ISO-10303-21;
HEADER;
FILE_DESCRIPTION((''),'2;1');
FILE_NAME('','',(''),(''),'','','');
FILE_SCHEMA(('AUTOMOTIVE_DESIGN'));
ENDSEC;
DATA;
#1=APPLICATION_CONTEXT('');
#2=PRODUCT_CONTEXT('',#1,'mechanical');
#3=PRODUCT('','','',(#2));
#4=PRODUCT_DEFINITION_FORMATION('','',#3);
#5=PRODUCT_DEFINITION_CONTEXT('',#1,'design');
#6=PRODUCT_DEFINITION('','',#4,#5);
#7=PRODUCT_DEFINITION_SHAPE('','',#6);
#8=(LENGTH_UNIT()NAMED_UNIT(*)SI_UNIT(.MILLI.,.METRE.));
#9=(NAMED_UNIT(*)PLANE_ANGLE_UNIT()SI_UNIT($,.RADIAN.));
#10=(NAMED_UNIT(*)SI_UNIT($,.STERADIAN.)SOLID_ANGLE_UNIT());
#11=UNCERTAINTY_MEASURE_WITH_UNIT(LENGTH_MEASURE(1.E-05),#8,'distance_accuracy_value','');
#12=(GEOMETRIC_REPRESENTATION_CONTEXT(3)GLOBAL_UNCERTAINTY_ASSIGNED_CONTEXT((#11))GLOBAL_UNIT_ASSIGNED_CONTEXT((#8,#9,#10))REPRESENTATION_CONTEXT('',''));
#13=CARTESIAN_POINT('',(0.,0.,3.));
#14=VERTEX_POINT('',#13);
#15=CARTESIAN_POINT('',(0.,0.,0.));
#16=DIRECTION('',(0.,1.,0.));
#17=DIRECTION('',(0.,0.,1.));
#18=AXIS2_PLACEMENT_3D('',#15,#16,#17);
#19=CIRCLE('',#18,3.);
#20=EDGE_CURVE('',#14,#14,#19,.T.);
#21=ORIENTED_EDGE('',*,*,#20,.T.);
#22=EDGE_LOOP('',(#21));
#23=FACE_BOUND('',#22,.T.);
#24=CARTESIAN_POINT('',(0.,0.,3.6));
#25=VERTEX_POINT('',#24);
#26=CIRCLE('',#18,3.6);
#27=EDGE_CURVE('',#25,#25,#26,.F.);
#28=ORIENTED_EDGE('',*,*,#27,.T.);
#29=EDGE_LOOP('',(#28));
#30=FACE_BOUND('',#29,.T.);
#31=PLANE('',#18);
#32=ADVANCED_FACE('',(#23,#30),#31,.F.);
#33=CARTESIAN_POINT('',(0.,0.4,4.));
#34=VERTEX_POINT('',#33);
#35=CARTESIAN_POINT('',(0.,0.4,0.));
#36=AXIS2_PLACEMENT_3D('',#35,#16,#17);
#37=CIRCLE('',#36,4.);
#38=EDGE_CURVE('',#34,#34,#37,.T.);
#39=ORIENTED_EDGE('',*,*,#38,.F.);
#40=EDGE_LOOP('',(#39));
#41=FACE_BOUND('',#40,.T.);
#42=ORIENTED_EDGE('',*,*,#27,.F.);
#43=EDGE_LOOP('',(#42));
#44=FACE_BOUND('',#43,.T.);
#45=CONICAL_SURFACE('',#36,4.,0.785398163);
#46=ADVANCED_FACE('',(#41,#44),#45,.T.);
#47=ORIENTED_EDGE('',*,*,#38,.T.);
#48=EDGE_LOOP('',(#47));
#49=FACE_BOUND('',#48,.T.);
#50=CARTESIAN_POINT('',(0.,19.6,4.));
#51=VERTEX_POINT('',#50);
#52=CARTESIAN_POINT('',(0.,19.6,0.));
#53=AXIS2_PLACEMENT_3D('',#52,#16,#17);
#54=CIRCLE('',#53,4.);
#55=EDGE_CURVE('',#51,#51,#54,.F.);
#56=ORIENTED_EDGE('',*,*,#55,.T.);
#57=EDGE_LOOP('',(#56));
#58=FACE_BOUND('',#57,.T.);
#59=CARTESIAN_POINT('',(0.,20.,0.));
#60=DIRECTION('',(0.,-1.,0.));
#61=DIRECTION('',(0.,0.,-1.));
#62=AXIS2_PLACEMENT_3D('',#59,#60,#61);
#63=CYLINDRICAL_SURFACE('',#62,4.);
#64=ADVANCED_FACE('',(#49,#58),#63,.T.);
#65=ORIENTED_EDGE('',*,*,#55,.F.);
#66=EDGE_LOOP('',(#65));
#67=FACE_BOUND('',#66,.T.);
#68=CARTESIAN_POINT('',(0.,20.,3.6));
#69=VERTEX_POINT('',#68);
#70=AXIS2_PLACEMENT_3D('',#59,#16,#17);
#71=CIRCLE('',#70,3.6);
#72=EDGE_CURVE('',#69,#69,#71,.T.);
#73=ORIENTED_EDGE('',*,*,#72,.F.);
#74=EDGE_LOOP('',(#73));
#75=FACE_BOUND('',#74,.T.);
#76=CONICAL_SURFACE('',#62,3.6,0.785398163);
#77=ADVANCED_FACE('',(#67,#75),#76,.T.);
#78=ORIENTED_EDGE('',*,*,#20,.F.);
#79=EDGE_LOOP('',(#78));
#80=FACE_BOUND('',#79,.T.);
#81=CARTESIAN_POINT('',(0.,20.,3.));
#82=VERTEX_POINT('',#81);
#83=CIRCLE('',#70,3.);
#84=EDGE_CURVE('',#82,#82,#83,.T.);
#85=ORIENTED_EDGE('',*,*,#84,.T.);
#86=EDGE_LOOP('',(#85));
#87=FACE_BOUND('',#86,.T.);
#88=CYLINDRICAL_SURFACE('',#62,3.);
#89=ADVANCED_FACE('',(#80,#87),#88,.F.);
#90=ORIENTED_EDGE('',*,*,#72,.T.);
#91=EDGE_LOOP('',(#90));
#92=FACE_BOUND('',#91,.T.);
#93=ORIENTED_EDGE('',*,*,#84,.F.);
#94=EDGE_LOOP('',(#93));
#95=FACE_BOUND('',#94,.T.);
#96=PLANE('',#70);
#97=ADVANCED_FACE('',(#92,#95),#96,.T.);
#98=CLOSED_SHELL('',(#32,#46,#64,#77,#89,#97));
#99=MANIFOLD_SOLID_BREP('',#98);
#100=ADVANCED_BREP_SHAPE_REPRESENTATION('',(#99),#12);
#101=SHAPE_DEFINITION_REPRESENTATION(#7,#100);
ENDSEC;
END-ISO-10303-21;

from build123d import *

# Parameters (mm, degrees)
SKETCH1_R           = 4
SKETCH1_R_2         = 3
BOSS_EXTRUDE1_DEPTH = 20
CHAMFER1_SIZE       = 0.4


with BuildPart() as part:
    # Sketch1 → Boss-Extrude1 (new body)
    with BuildSketch(Plane(origin=(0, 0, 0), x_dir=(1, 0, 0), z_dir=(0, 1, 0))):
        Circle(SKETCH1_R)
        Circle(SKETCH1_R_2, mode=Mode.SUBTRACT)
    extrude(amount=BOSS_EXTRUDE1_DEPTH)

    # Chamfer1
    chamfer1_edges = [part.edges().sort_by_distance(p)[0] for p in [
        (-4, 0, 0),
        (-4, 20, 0),
    ]]
    chamfer(chamfer1_edges, length=CHAMFER1_SIZE)


solid = part.part
